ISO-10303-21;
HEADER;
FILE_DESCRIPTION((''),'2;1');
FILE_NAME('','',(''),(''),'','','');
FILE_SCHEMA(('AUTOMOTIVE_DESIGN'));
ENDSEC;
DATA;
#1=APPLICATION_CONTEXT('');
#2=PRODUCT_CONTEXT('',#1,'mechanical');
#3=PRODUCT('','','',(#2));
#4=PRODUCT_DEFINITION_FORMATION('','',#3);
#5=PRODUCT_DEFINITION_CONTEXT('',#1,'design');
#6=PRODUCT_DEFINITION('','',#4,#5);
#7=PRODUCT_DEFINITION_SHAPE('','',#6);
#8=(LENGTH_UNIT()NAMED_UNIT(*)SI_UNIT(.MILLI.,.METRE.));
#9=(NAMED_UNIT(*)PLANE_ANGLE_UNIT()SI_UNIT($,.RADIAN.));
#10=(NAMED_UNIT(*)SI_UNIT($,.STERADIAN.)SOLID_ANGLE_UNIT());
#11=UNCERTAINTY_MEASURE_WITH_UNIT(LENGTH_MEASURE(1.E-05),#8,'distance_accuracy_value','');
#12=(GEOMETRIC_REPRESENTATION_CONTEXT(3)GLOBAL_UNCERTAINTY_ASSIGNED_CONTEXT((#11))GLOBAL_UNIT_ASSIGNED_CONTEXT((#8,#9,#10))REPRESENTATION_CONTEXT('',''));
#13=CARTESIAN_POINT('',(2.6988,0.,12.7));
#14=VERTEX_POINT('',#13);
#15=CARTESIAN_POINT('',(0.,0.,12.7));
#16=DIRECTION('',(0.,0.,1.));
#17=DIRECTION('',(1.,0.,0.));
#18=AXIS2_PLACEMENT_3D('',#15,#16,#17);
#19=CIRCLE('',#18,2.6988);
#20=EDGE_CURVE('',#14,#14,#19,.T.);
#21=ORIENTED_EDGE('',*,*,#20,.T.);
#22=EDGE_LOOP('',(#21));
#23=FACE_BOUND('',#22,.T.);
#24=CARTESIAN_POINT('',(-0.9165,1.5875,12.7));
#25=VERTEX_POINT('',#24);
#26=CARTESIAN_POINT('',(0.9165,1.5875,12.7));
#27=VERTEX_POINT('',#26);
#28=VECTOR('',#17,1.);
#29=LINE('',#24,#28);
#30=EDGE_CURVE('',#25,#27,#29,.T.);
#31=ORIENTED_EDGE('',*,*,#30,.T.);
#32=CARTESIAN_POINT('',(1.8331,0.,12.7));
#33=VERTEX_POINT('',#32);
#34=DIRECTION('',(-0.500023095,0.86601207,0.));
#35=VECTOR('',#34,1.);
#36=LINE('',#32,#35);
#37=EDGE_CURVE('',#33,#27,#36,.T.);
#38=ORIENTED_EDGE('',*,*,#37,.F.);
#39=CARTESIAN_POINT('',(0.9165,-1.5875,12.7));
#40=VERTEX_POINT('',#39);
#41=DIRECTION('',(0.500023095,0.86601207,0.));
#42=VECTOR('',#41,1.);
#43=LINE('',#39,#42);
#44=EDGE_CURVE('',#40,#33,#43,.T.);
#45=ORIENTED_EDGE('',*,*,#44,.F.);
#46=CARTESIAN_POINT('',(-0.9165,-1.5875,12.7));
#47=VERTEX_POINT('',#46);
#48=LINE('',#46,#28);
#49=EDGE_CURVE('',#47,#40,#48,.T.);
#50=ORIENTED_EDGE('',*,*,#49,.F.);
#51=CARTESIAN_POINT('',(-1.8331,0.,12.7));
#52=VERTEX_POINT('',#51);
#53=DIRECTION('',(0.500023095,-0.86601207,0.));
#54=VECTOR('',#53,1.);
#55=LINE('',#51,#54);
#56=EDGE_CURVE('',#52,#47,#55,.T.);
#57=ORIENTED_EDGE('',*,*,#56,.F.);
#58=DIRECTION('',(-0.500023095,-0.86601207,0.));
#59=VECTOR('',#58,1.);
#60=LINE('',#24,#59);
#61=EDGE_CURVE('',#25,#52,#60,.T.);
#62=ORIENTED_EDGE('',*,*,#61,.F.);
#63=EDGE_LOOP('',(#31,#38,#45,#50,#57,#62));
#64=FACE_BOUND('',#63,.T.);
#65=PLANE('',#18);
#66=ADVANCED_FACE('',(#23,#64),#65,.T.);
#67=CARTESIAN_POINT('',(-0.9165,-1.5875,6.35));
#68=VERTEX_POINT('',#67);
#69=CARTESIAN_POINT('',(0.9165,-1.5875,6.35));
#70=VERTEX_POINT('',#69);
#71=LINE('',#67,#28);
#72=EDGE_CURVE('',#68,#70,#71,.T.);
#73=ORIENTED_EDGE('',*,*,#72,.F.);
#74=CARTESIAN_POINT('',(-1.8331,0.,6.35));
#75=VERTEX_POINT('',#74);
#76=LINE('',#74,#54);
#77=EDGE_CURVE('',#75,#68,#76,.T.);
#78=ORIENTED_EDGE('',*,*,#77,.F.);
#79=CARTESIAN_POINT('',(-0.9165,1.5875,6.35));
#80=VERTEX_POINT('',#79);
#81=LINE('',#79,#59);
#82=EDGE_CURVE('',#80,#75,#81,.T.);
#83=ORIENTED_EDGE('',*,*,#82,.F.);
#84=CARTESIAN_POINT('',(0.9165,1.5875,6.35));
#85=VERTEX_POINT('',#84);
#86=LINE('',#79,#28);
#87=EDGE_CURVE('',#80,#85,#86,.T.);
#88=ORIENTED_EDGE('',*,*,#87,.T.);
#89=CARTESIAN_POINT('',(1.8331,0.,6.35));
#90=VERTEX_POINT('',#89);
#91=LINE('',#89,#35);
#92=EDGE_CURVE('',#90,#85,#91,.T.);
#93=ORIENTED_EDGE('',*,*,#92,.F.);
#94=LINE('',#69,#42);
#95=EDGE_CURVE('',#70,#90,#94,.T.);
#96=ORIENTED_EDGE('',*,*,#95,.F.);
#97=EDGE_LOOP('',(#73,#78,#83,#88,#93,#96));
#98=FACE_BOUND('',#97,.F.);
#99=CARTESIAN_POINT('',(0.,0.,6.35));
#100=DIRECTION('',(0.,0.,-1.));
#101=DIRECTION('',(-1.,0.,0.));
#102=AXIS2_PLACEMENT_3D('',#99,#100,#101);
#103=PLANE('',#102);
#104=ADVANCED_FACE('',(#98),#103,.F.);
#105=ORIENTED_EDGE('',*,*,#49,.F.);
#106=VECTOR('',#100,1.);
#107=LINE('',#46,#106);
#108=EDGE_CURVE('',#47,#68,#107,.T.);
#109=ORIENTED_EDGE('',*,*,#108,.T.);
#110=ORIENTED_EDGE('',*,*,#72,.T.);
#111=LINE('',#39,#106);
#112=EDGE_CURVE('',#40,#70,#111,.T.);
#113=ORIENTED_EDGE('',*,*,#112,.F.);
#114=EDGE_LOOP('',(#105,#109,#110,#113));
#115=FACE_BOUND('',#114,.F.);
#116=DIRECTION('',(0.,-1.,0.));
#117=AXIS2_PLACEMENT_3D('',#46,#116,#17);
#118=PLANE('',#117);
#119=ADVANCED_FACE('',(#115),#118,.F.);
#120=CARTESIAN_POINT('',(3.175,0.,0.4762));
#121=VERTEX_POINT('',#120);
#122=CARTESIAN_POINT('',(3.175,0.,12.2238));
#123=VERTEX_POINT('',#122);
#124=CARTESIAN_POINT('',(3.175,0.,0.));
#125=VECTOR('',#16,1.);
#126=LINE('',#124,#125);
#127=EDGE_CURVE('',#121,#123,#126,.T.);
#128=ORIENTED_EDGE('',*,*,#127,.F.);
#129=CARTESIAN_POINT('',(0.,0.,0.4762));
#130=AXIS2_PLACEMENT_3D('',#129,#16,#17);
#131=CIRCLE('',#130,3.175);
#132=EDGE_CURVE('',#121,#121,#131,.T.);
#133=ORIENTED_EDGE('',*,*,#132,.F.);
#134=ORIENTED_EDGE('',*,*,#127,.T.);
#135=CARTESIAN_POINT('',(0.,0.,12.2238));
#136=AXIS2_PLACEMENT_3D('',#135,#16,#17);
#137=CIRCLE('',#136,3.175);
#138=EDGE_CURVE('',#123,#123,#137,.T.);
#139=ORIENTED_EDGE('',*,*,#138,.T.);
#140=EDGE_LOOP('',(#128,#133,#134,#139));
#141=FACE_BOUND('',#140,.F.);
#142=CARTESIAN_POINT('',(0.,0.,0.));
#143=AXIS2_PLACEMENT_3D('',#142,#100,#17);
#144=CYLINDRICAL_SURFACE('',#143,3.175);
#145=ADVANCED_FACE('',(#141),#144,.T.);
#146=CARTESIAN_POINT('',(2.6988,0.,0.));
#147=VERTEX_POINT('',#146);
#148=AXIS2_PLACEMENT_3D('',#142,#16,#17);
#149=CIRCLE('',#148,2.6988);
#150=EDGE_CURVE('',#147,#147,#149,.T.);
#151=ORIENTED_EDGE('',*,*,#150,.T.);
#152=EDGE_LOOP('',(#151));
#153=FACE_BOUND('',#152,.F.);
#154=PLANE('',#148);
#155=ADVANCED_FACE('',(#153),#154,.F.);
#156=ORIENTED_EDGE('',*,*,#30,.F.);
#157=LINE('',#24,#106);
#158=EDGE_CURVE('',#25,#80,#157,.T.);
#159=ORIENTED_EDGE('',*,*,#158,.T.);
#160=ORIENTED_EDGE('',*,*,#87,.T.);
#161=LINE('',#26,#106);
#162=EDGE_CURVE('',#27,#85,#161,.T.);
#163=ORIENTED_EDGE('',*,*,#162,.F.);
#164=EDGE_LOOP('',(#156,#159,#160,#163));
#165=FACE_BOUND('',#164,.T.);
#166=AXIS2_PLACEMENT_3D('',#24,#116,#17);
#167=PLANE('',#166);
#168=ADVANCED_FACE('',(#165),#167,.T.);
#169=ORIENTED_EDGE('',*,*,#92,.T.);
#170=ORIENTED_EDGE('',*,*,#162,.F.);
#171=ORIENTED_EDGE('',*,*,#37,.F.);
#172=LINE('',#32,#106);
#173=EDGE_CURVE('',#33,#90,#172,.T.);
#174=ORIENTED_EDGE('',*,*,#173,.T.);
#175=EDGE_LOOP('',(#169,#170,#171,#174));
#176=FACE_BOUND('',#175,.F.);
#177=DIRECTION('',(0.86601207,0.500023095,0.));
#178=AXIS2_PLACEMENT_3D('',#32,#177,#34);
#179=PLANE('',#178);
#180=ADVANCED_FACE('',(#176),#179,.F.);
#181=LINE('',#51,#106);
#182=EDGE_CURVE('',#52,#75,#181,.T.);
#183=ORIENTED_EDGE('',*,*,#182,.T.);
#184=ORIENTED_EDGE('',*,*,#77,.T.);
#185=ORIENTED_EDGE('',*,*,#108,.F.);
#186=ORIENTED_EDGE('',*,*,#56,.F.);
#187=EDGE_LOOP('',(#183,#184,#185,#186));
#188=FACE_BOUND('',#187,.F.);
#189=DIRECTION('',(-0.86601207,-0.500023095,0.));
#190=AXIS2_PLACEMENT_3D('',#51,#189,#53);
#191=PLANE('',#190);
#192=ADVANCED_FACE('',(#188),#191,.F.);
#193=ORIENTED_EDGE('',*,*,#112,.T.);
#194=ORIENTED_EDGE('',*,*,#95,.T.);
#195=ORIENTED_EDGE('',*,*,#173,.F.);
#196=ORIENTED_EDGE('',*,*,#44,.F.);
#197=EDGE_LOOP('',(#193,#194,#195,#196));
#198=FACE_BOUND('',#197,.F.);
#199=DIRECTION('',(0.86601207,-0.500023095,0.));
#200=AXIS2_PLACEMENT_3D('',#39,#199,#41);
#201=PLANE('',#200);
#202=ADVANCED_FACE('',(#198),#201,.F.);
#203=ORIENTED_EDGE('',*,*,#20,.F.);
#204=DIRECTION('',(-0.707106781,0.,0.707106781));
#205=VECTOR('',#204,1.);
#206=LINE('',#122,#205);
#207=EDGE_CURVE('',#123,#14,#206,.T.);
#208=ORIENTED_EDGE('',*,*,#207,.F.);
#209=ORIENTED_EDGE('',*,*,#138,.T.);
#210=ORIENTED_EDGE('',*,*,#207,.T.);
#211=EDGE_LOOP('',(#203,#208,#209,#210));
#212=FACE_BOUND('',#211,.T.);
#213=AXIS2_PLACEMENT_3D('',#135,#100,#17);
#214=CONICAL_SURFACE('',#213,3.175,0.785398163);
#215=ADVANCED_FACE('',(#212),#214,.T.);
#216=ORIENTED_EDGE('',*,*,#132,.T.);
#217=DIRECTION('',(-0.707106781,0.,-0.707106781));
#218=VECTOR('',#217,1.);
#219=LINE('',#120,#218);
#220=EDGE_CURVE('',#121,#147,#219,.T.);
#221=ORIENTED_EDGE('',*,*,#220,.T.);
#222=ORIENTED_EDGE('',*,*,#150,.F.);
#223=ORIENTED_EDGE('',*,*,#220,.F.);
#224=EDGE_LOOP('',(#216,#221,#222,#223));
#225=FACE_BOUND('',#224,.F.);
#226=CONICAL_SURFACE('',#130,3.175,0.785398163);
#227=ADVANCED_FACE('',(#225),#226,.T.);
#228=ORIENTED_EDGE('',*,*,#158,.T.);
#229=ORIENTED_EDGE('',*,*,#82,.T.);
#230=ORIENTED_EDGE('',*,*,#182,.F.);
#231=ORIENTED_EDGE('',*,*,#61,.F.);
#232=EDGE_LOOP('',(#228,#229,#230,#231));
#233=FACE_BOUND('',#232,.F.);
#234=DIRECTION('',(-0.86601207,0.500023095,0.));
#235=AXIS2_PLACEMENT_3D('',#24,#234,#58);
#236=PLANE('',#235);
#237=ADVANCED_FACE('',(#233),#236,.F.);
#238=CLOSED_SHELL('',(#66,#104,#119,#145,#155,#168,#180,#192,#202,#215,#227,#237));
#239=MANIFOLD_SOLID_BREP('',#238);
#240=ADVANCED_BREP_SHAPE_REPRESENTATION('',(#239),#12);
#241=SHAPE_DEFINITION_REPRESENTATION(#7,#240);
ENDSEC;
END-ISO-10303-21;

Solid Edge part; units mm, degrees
sketch "Sketch1" plane through (0, 0, 0) normal (0, 0, 1) x (1, 0, 0)
  circle A0 centre (0, 0) radius 3.175
  dimension "D1" = 6.35
extrude "Protrusion1" add sketch "Sketch1" along normal blind 12.7
chamfer "Chamfer1" distance 0.4762 angle 45 2 edges at (-3.175, 0, 0) (-3.175, 0, 12.7)
sketch "Sketch2" plane through (0, 0, 12.7) normal (0, 0, 1) x (1, 0, 0)
  line L0 (-0.9165, 1.5875) -> (0.9165, 1.5875)
  line L1 (1.8331, 0) -> (0.9165, 1.5875)
  line L2 (0.9165, -1.5875) -> (1.8331, 0)
  line L3 (-0.9165, -1.5875) -> (0.9165, -1.5875)
  line L4 (-1.8331, 0) -> (-0.9165, -1.5875)
  line L5 (-0.9165, 1.5875) -> (-1.8331, 0)
  dimension "D1" = 3.175
extrude "Cutout1" cut sketch "Sketch2" against normal blind 6.35
properties part number "24100355"
